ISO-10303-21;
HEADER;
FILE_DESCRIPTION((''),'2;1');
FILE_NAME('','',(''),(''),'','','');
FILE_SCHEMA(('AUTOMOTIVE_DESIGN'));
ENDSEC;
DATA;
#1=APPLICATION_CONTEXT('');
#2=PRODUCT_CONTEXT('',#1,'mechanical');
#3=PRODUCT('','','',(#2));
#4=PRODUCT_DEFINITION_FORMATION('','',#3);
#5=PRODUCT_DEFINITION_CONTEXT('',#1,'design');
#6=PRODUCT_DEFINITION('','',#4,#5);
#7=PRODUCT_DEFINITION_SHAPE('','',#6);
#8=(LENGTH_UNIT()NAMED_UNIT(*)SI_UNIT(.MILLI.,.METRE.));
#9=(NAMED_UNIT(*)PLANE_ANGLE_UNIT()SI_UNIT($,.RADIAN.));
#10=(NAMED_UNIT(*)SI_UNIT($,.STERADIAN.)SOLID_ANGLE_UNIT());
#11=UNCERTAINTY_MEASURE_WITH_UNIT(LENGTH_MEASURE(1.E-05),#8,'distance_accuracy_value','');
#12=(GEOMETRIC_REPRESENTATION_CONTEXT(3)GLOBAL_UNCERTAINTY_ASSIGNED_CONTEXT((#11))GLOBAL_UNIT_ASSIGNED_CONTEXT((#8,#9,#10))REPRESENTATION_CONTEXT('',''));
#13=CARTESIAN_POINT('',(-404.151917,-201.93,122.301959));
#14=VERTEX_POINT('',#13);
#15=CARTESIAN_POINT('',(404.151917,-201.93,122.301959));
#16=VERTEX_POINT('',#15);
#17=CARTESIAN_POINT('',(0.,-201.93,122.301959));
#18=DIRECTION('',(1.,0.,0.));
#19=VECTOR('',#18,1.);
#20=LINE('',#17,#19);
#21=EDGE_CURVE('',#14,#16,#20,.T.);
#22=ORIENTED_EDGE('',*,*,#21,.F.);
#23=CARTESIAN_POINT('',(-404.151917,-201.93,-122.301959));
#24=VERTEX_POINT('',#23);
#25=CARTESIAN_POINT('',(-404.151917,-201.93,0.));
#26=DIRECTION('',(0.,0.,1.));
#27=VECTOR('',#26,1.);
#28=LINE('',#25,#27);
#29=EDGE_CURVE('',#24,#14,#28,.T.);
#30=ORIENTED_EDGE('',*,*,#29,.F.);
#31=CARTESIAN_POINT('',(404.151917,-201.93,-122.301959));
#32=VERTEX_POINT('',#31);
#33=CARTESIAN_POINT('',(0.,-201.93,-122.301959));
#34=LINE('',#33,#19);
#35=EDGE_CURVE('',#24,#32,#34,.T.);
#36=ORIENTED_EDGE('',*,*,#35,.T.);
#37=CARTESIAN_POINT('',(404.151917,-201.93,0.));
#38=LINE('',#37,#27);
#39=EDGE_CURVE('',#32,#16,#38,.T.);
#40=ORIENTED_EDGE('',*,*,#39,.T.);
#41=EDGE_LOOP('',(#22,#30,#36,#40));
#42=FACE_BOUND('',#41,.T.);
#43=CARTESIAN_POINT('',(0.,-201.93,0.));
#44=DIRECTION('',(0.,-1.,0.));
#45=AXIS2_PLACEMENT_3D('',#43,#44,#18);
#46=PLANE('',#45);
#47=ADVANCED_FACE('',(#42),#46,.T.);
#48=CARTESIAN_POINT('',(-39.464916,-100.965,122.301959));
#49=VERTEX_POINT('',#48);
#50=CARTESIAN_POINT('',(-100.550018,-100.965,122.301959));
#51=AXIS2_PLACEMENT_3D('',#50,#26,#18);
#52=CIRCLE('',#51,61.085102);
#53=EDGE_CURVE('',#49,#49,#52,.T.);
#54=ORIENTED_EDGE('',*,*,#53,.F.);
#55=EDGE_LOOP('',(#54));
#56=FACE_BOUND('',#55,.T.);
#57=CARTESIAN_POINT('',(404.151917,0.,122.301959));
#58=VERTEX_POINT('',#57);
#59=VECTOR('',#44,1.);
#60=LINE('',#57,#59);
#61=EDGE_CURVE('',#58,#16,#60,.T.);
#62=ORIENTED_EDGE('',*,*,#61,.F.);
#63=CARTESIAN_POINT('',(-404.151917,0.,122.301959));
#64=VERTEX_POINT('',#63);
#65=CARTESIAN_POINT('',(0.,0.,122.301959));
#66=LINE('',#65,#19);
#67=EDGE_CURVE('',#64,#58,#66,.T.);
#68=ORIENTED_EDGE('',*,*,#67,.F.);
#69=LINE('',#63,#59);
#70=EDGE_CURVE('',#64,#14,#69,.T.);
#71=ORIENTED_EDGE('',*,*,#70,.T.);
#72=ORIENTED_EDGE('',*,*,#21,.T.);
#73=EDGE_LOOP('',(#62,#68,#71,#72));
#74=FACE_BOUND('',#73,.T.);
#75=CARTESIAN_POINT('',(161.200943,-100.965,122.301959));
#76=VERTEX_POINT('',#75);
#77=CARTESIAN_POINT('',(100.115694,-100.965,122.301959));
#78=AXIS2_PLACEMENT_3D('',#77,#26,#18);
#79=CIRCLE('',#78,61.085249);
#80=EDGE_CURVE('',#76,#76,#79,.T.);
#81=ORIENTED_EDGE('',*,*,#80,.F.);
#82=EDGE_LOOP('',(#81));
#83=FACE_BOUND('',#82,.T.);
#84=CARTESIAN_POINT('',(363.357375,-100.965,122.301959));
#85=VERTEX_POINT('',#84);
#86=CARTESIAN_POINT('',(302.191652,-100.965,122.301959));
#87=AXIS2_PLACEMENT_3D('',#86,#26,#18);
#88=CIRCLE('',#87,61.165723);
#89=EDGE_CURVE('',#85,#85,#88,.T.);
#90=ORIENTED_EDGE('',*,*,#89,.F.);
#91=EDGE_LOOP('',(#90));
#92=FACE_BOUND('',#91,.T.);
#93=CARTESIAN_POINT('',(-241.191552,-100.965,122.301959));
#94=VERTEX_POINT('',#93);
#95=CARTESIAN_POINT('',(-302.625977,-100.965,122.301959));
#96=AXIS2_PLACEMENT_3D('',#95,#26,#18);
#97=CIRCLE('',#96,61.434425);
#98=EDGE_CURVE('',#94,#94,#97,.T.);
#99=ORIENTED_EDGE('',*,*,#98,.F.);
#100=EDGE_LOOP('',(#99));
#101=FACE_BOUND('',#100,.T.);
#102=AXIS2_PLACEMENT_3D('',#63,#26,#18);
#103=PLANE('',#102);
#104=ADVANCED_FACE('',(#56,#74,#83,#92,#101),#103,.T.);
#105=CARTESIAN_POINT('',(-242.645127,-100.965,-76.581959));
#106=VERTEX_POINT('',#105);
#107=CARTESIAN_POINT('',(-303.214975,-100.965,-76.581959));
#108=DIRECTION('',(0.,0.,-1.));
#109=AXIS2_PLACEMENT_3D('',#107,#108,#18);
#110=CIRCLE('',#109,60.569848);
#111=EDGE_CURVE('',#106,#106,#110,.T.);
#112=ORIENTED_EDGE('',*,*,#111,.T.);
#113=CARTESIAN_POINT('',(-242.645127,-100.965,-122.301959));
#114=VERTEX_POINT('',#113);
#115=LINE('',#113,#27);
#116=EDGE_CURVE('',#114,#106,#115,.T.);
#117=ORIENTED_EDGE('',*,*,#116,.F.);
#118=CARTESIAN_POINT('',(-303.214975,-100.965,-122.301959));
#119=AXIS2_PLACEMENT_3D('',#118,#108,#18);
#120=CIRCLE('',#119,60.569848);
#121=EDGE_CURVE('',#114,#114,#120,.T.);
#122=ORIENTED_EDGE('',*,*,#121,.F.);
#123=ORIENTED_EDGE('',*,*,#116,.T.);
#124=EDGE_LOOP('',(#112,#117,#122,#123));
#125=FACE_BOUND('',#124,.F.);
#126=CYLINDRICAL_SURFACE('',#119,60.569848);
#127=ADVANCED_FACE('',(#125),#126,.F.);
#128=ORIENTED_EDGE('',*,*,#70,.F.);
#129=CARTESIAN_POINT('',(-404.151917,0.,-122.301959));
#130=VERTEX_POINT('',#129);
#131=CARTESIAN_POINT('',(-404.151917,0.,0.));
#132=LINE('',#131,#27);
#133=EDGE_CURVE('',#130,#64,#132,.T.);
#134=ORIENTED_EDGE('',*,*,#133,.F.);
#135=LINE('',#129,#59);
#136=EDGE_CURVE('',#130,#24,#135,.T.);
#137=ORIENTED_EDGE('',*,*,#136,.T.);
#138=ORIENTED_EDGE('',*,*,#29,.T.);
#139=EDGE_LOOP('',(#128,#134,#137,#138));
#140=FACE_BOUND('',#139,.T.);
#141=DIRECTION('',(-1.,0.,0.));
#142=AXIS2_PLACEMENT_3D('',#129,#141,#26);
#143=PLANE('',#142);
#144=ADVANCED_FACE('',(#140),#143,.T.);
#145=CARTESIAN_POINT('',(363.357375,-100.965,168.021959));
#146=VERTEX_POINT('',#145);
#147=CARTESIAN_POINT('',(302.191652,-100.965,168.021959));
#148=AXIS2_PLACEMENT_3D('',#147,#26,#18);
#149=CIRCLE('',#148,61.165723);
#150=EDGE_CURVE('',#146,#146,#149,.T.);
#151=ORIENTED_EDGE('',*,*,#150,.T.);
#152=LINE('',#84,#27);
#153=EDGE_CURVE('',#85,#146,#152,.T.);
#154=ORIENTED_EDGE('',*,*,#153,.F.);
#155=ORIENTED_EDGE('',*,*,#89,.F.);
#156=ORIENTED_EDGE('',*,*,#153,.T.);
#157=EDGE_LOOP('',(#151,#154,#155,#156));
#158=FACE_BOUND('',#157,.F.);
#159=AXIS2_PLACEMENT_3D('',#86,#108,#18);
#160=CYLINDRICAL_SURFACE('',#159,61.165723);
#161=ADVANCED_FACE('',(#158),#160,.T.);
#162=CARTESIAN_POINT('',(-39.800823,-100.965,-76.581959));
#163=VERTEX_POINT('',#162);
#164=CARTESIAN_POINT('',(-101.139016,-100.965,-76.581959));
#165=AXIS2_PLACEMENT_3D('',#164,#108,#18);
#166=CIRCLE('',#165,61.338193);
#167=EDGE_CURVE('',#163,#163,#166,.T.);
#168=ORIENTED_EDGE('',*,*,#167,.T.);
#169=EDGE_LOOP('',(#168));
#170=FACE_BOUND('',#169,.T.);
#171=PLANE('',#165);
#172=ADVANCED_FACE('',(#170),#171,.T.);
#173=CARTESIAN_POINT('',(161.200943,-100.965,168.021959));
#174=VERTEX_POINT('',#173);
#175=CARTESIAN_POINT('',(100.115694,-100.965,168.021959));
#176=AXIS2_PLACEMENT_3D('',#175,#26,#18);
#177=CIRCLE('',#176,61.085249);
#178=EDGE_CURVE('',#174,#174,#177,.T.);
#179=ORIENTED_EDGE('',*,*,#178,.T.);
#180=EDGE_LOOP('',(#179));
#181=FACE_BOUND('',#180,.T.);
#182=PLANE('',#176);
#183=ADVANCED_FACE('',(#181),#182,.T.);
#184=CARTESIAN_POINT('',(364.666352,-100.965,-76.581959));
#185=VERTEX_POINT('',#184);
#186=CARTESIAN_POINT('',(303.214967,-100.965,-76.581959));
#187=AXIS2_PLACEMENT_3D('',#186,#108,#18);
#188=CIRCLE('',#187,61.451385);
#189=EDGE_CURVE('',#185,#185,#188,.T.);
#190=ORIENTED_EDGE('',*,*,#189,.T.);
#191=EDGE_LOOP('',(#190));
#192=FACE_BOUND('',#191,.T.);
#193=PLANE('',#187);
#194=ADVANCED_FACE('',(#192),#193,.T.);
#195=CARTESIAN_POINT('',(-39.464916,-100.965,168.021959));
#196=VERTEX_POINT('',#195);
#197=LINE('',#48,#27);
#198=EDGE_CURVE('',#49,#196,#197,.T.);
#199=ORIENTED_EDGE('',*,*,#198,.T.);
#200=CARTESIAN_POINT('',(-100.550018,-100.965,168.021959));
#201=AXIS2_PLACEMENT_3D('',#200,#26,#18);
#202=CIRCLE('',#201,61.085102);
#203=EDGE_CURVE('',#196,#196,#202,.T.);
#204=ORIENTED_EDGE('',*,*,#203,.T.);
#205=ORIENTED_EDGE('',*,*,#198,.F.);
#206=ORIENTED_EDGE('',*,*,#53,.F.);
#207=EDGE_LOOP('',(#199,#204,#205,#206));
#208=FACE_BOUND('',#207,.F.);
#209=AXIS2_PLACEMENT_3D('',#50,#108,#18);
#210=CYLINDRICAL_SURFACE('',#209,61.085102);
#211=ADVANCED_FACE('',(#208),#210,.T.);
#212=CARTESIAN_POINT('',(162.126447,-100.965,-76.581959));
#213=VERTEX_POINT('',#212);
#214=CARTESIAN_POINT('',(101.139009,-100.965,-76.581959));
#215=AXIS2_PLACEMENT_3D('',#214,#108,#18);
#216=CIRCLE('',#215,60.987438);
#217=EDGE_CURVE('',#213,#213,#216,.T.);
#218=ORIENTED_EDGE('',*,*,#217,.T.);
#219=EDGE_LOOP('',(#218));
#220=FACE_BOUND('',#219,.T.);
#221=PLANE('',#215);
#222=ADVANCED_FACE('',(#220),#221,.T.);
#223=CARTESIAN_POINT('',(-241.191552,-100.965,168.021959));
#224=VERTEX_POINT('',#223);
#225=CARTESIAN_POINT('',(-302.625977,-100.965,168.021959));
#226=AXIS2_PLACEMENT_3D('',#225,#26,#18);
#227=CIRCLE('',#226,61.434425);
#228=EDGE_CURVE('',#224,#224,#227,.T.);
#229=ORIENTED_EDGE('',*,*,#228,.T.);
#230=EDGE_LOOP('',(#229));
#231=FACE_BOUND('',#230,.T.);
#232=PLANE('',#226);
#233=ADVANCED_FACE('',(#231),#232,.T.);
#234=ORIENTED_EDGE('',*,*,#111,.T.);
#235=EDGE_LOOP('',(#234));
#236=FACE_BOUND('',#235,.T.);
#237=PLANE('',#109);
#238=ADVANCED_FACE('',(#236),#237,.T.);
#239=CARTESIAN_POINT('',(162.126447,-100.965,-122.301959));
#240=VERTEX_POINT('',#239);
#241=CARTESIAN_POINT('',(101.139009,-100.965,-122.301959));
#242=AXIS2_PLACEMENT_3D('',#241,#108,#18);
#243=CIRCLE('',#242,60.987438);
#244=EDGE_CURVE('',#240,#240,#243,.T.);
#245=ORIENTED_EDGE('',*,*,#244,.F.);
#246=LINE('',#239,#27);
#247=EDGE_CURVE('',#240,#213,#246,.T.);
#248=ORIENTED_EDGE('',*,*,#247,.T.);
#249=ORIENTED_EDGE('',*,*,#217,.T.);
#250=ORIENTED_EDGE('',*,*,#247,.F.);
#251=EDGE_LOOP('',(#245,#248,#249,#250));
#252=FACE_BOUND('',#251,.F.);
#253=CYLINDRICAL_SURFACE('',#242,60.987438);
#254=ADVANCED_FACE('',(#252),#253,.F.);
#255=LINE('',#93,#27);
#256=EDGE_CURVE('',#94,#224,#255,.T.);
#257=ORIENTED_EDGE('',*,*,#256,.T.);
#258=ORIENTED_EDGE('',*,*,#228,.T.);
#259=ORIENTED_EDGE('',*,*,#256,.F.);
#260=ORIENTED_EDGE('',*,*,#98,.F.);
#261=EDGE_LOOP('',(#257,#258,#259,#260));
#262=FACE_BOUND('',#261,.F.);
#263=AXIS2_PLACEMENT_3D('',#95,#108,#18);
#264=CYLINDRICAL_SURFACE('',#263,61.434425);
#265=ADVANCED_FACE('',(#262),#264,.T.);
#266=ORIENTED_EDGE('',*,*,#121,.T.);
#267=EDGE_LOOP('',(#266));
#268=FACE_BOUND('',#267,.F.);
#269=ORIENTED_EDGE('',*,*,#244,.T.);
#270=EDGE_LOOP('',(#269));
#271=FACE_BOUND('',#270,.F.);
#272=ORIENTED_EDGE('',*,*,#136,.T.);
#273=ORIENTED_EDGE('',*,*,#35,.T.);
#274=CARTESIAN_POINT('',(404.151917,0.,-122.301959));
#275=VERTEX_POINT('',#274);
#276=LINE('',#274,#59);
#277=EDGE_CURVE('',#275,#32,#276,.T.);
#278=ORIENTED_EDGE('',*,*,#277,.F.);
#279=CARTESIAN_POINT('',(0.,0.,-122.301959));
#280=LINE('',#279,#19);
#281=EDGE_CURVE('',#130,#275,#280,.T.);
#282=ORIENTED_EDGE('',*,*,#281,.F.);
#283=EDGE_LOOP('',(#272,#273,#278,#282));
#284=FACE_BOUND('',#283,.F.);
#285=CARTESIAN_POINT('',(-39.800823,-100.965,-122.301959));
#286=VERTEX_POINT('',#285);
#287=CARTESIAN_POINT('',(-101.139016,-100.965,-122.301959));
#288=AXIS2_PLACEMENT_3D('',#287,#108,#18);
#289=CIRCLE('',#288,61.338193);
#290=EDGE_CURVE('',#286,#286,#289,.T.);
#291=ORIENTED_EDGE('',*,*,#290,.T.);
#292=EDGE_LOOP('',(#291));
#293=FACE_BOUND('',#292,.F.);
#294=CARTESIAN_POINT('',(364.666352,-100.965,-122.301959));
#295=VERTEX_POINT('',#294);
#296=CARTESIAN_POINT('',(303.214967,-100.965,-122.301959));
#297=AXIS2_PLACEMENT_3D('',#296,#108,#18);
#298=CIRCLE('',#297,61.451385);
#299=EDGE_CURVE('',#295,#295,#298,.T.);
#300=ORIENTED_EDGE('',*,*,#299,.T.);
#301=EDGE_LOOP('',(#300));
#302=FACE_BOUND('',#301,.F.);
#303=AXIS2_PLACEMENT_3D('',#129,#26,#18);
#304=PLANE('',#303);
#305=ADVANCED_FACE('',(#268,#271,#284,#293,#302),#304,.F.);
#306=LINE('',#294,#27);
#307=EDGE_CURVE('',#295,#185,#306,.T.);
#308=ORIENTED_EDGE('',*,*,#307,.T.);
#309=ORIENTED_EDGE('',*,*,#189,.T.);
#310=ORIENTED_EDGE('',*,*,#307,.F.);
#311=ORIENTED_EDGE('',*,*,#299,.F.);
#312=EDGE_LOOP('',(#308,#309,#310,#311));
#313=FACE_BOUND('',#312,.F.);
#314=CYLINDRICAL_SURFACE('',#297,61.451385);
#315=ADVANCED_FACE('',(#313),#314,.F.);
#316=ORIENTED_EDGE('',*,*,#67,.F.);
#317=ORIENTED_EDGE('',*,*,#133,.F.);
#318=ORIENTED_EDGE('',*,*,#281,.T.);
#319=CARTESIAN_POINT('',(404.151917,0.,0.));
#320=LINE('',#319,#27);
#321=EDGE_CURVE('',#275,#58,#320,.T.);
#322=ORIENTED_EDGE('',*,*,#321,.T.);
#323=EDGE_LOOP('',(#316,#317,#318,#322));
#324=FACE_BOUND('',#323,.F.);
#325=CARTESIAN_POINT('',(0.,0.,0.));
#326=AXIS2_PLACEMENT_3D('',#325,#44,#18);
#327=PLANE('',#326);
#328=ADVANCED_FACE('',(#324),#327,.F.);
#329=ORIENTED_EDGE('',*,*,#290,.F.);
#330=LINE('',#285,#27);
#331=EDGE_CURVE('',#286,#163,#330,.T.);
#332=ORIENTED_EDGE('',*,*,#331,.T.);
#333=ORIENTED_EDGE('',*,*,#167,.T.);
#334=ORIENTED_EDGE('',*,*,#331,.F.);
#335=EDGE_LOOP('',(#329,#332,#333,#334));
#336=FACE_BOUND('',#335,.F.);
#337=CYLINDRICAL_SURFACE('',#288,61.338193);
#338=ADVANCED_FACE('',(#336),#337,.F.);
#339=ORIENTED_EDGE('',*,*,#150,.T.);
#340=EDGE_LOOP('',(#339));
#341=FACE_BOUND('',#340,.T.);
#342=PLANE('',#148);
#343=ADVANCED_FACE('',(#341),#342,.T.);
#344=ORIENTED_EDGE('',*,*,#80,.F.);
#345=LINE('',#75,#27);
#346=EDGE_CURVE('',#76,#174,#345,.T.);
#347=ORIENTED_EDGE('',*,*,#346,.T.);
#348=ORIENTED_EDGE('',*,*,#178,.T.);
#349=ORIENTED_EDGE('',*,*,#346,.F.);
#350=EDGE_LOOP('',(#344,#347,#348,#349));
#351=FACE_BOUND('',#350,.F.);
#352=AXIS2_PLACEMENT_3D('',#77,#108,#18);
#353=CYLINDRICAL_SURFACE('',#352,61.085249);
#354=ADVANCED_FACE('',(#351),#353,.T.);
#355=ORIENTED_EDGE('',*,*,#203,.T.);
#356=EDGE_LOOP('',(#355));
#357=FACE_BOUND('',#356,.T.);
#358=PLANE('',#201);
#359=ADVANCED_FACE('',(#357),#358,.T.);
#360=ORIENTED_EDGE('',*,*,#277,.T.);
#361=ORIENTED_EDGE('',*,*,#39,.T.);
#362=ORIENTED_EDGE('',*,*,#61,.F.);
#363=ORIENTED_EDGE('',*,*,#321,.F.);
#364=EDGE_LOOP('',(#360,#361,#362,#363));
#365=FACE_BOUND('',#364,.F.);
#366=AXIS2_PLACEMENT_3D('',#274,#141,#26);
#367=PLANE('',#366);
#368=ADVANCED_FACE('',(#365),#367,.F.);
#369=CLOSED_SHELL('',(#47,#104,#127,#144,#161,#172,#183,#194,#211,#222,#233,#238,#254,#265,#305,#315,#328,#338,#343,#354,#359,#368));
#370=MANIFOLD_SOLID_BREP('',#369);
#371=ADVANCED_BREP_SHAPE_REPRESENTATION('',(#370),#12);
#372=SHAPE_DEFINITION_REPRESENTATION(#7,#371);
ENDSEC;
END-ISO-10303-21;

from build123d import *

# Parameters (mm, degrees)
F0_W     = 808.303834
F0_H     = 244.603918
F1_DEPTH = 201.93
F2_R     = 61.085102
F2_R_2   = 61.085249
F2_R_3   = 61.165723
F2_R_4   = 61.434425
F3_DEPTH = 45.72
F4_R     = 61.451385
F4_R_2   = 60.987438
F4_R_3   = 61.338193
F4_R_4   = 60.569848
F5_DEPTH = 45.72


with BuildPart() as f1:
    # F0 (on Front) → F1 (new body)
    with BuildSketch(Plane.XZ):
        Rectangle(F0_W, F0_H)
    extrude(amount=F1_DEPTH)

    # F2 (on face) → F3 (join)
    with BuildSketch(Plane.XY.offset(122.301959)):
        with Locations((-100.550018, -100.965)):
            Circle(F2_R)
        with Locations((100.115694, -100.965)):
            Circle(F2_R_2)
        with Locations((302.191652, -100.965)):
            Circle(F2_R_3)
        with Locations((-302.625977, -100.965)):
            Circle(F2_R_4)
    extrude(amount=F3_DEPTH)

    # F4 (on face) → F5 (cut)
    with BuildSketch(Plane(origin=(0, 0, -122.301959), x_dir=(1, 0, 0), z_dir=(0, 0, -1))):
        with Locations((303.214967, 100.965)):
            Circle(F4_R)
        with Locations((101.139009, 100.965)):
            Circle(F4_R_2)
        with Locations((-101.139016, 100.965)):
            Circle(F4_R_3)
        with Locations((-303.214975, 100.965)):
            Circle(F4_R_4)
    extrude(amount=-F5_DEPTH, mode=Mode.SUBTRACT)


solid = f1.part
